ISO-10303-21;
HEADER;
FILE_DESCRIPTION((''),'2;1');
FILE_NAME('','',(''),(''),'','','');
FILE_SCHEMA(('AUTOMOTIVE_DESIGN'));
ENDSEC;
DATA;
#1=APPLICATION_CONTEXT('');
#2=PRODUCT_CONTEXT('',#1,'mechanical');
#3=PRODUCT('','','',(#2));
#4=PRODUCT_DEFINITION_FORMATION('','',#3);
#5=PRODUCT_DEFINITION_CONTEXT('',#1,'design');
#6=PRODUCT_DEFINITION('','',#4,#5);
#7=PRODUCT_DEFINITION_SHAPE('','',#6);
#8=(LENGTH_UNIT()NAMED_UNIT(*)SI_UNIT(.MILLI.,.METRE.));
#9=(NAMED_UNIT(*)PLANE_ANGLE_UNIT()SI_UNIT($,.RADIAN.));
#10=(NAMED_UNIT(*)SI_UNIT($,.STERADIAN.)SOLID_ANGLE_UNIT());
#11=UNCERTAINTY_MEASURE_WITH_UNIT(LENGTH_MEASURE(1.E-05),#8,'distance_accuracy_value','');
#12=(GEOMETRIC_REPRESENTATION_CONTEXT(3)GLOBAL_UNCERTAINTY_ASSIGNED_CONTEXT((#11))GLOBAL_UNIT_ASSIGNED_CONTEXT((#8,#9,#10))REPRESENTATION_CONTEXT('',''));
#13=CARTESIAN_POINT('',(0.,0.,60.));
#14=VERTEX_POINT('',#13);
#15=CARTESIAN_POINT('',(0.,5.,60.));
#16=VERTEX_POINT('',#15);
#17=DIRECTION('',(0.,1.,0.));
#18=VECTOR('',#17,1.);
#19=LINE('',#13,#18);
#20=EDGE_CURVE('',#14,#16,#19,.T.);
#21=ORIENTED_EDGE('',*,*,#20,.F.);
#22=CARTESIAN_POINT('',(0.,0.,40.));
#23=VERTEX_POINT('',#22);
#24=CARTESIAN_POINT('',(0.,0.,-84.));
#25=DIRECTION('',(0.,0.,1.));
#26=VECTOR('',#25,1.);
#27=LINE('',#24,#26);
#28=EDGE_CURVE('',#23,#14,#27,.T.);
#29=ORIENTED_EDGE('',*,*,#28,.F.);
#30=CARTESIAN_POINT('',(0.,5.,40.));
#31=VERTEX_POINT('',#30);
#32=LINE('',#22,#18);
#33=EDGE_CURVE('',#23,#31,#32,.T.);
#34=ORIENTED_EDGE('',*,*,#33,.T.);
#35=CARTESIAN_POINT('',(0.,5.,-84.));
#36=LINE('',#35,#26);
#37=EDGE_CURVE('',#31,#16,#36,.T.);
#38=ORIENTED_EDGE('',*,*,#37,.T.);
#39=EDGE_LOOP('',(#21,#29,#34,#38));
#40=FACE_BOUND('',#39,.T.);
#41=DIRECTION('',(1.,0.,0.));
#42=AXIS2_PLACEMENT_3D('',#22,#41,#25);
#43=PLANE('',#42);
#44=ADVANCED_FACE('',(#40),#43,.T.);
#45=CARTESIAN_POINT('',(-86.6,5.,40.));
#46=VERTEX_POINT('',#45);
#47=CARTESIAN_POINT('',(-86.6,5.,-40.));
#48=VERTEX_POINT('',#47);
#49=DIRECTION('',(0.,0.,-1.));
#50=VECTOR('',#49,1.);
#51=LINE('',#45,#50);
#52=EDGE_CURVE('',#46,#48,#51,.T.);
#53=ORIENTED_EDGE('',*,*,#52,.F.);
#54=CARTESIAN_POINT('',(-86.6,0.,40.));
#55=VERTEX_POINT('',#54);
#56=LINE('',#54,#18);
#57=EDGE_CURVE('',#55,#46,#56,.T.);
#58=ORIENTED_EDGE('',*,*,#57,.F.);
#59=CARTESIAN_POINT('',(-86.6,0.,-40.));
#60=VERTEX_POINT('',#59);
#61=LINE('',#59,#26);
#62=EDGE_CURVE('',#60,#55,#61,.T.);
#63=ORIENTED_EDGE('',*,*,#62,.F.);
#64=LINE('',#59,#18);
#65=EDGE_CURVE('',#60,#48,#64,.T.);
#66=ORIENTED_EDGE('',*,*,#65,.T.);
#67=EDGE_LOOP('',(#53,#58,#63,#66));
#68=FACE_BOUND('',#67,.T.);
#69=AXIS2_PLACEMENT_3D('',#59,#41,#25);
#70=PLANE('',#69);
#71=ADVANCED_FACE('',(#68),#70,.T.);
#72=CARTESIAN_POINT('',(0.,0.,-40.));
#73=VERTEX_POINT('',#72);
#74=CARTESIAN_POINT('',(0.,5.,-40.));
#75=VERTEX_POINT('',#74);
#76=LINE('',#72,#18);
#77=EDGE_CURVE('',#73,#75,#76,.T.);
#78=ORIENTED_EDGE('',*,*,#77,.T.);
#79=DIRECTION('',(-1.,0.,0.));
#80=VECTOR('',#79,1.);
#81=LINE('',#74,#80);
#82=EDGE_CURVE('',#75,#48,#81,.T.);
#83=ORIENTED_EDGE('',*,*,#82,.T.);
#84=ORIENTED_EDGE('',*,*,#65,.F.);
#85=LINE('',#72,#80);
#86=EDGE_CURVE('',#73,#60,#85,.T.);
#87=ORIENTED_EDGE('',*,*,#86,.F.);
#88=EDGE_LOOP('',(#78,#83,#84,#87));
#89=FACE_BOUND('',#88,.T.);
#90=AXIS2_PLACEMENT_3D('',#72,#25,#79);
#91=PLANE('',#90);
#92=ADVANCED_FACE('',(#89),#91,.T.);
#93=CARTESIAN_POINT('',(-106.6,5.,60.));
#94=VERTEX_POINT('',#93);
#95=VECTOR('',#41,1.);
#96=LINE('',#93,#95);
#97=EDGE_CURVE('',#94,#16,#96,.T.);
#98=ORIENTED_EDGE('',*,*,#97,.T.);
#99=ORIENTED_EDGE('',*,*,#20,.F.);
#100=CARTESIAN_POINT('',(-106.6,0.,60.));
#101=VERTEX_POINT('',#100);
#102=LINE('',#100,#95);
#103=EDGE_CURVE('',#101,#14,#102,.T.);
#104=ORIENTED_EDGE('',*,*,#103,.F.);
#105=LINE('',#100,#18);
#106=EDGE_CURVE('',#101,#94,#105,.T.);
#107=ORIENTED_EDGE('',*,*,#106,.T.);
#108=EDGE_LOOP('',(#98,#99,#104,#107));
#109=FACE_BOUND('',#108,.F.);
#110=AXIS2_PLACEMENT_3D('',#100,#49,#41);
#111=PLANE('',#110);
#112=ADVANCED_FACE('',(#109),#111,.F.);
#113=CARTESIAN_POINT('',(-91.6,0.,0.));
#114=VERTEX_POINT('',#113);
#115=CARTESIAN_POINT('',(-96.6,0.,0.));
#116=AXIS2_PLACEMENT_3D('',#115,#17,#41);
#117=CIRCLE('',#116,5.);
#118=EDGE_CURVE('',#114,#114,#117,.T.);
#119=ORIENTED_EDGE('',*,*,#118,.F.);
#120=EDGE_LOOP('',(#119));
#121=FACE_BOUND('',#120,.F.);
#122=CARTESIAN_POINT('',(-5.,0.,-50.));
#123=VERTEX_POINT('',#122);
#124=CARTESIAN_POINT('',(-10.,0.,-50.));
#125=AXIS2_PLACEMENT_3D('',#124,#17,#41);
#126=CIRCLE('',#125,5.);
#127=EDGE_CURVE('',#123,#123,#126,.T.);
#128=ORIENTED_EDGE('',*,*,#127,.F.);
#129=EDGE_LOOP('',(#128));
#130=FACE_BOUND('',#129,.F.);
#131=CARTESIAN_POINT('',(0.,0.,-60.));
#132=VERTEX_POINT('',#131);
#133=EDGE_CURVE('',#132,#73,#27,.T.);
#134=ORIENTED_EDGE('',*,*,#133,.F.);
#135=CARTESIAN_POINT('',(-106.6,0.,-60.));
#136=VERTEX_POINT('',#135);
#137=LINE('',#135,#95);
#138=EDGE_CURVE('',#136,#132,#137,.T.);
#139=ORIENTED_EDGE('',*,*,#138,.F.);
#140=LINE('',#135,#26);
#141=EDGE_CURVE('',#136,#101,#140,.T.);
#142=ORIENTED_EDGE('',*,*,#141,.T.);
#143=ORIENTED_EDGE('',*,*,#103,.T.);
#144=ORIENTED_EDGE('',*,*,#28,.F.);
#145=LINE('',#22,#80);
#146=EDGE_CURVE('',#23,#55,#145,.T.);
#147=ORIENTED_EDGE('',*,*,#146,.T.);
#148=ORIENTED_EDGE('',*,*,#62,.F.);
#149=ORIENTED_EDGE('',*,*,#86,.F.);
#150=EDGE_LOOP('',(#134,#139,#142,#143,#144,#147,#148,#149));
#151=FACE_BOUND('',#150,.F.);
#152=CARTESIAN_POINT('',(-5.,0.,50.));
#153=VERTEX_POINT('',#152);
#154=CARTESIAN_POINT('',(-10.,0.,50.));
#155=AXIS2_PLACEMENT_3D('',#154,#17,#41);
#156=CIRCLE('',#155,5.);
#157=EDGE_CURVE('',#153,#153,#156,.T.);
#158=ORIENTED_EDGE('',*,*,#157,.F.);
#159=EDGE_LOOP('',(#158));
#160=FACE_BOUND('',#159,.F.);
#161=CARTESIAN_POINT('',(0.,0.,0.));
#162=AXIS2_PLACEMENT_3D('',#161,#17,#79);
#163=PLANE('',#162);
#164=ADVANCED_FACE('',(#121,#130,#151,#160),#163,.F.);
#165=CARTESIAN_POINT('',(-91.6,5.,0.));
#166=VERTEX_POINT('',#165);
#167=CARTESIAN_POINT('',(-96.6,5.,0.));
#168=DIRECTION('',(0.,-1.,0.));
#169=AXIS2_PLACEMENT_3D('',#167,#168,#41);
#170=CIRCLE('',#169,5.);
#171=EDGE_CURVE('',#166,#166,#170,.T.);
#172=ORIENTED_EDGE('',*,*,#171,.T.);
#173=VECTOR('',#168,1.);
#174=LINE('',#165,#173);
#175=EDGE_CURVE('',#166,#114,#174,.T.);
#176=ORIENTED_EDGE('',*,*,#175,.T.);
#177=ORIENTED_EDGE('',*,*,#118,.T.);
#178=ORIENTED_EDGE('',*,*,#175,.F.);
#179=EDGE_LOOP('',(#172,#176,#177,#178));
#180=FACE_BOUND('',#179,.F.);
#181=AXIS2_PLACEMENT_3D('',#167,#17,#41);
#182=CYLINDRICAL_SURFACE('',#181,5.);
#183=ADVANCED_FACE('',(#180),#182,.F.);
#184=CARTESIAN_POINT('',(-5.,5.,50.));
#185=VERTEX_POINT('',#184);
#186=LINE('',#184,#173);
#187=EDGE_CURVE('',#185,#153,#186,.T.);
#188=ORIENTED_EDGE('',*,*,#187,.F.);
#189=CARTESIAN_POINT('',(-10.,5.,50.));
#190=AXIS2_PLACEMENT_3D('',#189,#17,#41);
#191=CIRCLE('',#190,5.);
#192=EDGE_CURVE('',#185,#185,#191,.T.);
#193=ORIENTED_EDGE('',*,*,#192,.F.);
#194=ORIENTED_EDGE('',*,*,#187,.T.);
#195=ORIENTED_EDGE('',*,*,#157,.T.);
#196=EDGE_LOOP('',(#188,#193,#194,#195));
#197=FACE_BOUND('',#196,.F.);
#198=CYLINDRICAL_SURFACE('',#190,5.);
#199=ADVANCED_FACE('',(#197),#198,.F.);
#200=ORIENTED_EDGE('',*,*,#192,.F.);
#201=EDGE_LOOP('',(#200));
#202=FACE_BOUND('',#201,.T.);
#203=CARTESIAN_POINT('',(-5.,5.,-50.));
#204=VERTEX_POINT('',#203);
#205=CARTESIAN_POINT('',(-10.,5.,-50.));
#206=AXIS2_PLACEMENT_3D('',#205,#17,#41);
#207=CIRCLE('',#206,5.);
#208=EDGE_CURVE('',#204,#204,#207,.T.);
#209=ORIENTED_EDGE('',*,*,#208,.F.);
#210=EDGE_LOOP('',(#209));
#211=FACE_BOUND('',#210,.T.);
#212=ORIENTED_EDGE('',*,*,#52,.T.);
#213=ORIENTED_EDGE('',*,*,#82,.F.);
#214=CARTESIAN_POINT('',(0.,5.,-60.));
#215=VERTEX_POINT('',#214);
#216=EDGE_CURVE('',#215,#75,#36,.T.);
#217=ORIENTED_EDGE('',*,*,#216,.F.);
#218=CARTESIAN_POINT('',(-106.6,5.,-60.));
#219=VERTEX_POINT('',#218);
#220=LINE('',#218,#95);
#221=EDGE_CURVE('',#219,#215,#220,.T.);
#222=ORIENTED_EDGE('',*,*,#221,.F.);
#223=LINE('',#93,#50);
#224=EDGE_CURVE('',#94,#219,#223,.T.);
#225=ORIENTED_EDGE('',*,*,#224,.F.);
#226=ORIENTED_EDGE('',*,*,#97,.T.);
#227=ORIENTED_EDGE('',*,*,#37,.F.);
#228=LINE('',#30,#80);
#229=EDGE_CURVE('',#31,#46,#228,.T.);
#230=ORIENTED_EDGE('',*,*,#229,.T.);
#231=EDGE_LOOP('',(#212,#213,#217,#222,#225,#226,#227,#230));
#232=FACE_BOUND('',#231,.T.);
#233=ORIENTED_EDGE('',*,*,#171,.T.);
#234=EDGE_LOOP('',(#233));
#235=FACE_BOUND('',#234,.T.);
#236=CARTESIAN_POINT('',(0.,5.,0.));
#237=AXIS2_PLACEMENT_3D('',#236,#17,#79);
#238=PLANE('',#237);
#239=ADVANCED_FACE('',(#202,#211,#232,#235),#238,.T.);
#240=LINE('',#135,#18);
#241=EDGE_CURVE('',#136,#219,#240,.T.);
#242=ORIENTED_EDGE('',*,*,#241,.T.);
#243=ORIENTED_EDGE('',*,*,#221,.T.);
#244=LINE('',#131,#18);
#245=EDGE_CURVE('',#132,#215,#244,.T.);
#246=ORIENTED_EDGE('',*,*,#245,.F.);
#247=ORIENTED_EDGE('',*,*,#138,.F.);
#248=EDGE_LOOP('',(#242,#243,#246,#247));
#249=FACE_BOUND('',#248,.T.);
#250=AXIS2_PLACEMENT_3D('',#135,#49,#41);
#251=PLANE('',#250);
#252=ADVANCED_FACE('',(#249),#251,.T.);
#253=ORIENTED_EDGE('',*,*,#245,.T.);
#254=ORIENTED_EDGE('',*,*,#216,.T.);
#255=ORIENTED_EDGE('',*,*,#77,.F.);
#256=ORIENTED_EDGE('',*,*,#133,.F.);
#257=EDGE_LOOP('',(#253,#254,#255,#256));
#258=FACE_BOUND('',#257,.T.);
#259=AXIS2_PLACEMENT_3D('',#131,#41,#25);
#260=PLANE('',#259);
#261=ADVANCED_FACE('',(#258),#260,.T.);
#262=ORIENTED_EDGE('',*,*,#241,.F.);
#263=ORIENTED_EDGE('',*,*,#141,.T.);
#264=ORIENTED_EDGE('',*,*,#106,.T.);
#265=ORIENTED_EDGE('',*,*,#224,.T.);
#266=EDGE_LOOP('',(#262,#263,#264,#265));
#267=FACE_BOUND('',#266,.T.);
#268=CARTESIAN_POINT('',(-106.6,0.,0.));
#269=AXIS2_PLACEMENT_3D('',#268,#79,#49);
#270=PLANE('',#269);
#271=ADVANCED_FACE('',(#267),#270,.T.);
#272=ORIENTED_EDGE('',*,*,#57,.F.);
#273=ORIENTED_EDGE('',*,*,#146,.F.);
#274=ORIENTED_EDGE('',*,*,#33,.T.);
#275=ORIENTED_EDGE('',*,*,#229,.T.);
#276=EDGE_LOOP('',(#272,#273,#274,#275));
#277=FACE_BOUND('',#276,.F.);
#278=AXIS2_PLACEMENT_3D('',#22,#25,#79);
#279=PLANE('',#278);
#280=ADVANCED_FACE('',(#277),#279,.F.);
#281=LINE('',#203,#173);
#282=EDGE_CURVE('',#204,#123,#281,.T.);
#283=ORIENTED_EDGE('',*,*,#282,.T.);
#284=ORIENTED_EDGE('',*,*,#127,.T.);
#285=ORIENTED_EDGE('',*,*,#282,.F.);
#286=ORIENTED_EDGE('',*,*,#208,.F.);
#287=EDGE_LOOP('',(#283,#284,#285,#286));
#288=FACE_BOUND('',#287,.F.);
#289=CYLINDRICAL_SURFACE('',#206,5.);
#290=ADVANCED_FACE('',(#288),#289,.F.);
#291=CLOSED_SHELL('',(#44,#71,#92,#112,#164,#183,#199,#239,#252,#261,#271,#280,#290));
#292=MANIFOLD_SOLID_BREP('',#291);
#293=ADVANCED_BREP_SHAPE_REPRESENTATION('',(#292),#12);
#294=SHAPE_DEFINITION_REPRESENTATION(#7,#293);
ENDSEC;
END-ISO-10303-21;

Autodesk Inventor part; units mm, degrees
ref_plane "YZ Plane" through (0, 0, 0) normal (1, 0, 0) x (0, 1, 0)
ref_plane "XZ Plane" through (0, 0, 0) normal (0, 1, 0) x (-1, 0, 0)
ref_plane "XY Plane" through (0, 0, 0) normal (0, 0, 1) x (1, 0, 0)
sketch "スケッチ1" plane through (0, 0, 0) normal (0, 1, 0) x (-1, 0, 0)
  line L0 (127.92, 0) -> (-21.32, 0) projected
  line L1 (0, -84) -> (0, 84) projected
  line L2 (106.6, 0) -> (106.6, -60)
  line L3 (106.6, -60) -> (0, -60)
  line L4 (0, -40) -> (86.6, -40)
  line L5 (86.6, -40) -> (86.6, 0)
  line L6 (106.6, 0) -> (106.6, 60)
  line L7 (106.6, 60) -> (0, 60)
  line L8 (0, 40) -> (86.6, 40)
  line L9 (86.6, 40) -> (86.6, 0)
  line L10 (0, 60) -> (0, 40)
  line L11 (0, -40) -> (0, -60)
  point P0 (0, 0)
  dimension "d0" = 20
  dimension "d4" = 20
  dimension "d15" = 60
  dimension "d16" = 106.6
extrude "押し出し1" add sketch "スケッチ1" along normal blind 5 contours L2 L3 L1 L4 L5 L0 | L0 L9 L8 L1 L7 L6
sketch "スケッチ2" plane through (0, 5, 0) normal (0, 1, 0) x (1, 0, 0)
  circle A0 centre (-10, -50) radius 5
  line L0 (0, -60) -> (0, -40) projected
  line L1 (-106.6, -60) -> (0, -60) projected
  line L2 (-127.92, 0) -> (21.32, 0) projected
  circle A1 centre (-10, 50) radius 5
  circle A2 centre (-96.6, 0) radius 5
  line L3 (-86.6, -40) -> (-86.6, 40) projected
  point P0 (0, 0)
  dimension "d8" = 10
  dimension "d9" = 10
  dimension "d10" = 10
  dimension "d11" = 10
  dimension "d12" = 10
extrude "押し出し2" cut sketch "スケッチ2" against normal blind 5
properties part number "bogie_square" material "アルミニウム 6061"
